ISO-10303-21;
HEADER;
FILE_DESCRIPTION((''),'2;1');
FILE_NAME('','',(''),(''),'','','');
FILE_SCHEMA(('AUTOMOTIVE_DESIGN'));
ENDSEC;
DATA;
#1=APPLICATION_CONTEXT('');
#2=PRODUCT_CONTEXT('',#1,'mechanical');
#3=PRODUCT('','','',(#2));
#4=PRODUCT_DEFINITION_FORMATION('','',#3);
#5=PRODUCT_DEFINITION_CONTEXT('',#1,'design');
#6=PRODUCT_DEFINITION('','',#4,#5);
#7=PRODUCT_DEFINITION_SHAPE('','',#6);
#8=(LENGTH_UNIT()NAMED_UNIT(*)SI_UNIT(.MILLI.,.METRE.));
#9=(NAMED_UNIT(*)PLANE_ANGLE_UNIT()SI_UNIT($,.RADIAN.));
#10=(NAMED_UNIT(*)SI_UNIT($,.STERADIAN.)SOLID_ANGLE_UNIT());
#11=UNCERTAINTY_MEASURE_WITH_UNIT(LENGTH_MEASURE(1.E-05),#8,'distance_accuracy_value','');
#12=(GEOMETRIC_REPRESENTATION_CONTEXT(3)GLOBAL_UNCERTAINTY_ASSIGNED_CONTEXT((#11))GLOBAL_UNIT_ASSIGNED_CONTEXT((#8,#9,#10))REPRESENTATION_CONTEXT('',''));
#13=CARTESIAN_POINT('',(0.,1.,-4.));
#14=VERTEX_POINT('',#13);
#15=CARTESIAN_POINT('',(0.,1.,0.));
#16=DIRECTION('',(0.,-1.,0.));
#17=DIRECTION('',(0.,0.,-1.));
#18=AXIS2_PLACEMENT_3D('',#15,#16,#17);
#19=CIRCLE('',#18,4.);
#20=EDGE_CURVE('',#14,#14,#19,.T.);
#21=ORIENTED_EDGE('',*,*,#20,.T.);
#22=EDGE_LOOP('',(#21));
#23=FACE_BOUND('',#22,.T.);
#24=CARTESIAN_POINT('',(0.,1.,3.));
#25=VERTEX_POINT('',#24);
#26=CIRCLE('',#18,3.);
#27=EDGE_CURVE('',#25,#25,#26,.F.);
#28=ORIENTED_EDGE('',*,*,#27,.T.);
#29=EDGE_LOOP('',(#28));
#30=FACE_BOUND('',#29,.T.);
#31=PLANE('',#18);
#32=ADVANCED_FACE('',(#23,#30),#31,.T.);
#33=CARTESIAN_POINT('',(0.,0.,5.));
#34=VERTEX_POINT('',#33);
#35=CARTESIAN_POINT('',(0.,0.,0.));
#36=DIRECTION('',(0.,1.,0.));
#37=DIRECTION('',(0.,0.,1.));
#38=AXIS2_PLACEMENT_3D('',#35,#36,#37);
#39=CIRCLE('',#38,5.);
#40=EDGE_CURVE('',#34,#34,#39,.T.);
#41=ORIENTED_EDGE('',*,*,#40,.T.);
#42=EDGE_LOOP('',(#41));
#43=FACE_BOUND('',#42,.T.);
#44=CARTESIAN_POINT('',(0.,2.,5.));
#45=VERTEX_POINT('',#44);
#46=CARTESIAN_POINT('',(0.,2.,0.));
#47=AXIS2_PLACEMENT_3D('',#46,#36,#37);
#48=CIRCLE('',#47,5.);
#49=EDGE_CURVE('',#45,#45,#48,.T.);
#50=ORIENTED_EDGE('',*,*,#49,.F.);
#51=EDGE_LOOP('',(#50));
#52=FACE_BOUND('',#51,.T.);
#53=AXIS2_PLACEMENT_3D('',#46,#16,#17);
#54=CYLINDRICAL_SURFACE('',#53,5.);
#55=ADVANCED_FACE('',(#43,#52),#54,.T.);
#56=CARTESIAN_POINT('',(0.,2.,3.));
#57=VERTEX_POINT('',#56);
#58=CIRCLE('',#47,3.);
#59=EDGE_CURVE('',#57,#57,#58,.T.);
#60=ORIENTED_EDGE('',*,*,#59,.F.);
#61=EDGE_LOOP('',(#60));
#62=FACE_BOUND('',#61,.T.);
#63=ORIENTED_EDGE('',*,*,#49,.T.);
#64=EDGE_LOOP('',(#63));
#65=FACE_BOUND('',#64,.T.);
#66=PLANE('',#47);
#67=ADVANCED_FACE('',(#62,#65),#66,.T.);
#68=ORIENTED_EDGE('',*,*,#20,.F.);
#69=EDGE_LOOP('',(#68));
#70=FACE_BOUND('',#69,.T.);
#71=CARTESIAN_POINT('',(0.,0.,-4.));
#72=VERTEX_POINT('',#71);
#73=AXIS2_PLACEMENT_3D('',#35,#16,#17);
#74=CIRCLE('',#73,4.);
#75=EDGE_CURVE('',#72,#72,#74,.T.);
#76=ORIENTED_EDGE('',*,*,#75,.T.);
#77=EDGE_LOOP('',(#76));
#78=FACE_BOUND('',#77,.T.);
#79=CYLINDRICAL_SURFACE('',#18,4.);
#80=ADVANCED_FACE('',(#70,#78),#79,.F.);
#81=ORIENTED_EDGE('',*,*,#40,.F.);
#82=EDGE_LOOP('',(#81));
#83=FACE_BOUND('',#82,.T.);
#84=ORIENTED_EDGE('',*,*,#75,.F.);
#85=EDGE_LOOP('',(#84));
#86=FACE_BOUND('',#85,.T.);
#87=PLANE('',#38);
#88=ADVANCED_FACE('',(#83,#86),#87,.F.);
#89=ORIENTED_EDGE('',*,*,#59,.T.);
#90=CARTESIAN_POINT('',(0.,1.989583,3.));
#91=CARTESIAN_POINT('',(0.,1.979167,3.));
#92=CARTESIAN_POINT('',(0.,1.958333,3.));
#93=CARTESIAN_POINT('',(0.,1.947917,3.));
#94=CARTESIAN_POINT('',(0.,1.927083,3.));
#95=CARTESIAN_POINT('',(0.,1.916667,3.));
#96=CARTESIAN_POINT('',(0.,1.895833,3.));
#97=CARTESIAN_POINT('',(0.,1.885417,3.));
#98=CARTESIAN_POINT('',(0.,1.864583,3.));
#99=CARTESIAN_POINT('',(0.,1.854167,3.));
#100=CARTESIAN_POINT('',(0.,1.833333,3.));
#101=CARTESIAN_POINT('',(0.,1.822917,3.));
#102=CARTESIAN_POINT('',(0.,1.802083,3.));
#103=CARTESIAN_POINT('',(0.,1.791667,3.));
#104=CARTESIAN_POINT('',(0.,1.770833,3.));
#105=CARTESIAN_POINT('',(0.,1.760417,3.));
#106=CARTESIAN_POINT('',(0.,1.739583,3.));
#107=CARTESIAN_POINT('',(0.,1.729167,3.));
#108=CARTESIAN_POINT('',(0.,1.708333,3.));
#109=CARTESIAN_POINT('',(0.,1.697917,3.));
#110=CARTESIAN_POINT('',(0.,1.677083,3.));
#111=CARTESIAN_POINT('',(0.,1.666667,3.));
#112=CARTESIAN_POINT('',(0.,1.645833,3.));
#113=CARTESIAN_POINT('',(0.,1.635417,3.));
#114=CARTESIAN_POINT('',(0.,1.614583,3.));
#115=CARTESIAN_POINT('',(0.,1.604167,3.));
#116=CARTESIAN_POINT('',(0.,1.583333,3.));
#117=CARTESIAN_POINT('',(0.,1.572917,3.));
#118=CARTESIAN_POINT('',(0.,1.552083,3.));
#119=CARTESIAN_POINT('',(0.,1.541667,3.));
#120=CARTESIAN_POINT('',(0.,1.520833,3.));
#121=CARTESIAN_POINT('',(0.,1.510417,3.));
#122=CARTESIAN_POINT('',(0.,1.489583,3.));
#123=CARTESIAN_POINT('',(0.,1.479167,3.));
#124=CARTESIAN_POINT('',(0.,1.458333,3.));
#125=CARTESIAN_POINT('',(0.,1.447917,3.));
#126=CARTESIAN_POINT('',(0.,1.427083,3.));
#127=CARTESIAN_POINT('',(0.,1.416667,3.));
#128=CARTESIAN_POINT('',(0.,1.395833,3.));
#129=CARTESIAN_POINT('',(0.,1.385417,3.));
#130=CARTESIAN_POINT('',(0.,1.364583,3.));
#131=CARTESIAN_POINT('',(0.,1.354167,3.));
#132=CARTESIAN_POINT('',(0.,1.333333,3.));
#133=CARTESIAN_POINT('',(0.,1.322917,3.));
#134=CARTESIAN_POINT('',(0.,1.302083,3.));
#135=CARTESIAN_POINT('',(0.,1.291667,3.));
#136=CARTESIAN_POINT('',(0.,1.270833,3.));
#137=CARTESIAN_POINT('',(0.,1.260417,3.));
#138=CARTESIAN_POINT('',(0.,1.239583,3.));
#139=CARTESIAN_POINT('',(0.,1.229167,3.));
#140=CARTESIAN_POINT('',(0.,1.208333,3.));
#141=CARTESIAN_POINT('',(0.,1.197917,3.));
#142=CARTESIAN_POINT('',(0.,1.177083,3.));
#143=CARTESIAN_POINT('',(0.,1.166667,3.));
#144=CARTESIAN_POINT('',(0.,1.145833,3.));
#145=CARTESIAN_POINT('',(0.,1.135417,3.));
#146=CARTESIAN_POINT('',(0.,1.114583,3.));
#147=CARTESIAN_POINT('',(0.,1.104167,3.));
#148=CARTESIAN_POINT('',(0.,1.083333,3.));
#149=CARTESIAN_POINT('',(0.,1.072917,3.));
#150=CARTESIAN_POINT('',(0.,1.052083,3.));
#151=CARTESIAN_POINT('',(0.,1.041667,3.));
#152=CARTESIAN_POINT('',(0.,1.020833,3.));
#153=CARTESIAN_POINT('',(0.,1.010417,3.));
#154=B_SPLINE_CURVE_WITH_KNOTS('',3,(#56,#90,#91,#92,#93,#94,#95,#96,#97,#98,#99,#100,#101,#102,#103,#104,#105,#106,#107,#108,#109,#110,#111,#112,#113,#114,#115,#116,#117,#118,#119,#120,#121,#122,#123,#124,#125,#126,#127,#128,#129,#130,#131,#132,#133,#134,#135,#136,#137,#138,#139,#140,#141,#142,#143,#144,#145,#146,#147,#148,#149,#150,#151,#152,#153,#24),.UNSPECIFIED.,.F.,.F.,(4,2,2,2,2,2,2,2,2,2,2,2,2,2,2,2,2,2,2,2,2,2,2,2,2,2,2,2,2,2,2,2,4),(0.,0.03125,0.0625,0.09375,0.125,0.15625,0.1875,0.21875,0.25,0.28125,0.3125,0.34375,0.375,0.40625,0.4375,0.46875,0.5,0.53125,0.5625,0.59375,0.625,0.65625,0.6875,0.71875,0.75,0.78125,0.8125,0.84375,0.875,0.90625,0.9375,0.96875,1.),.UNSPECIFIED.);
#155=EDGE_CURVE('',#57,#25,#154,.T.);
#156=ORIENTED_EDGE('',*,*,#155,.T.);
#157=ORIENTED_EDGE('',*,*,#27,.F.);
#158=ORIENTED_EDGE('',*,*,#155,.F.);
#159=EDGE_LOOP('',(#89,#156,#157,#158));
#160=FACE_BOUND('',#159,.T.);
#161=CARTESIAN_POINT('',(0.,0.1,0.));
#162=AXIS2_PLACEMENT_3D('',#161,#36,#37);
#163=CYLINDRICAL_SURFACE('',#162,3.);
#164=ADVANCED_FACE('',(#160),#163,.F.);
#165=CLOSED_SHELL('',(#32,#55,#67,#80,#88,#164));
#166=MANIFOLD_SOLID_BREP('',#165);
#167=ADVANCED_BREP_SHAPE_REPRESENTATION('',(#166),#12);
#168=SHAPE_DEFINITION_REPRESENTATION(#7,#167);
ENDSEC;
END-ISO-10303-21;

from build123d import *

# Parameters (mm, degrees)
SKETCH1_R           = 5
SKETCH1_R_2         = 4
BOSS_EXTRUDE1_DEPTH = 2
BOSS_EXTRUDE2_START = -1.9
SKETCH2_R           = 4
SKETCH2_R_2         = 3
BOSS_EXTRUDE2_DEPTH = 1.9
BOSS_EXTRUDE4_START = 0.1
SKETCH3_R           = 4
BOSS_EXTRUDE4_DEPTH = 0.1
SKETCH4_R           = 4
CUT_EXTRUDE1_DEPTH  = 1


with BuildPart() as part:
    # Sketch1 → Boss-Extrude1 (new body)
    with BuildSketch(Plane(origin=(0, 0, 0), x_dir=(1, 0, 0), z_dir=(0, 1, 0))):
        with Locations(Location((0, 0, 0), (0, 0, 270))):
            Circle(SKETCH1_R)
        with Locations(Location((0, 0, 0), (0, 0, 270))):
            Circle(SKETCH1_R_2, mode=Mode.SUBTRACT)
    extrude(amount=BOSS_EXTRUDE1_DEPTH)

    # Sketch2 → Boss-Extrude2 (add)
    with BuildSketch(Plane(origin=(0, 2, 0), x_dir=(1, 0, 0), z_dir=(0, 1, 0)).offset(BOSS_EXTRUDE2_START)):
        with Locations(Location((0, 0, 0), (0, 0, 270))):
            Circle(SKETCH2_R)
        with Locations(Location((0, 0, 0), (0, 0, 270))):
            Circle(SKETCH2_R_2, mode=Mode.SUBTRACT)
    extrude(amount=BOSS_EXTRUDE2_DEPTH)

    # Sketch3 → Boss-Extrude4 (add)
    with BuildSketch(Plane.XZ.offset(-0.1).offset(BOSS_EXTRUDE4_START)):
        Circle(SKETCH3_R)
    extrude(amount=-BOSS_EXTRUDE4_DEPTH)

    # Sketch4 → Cut-Extrude1 (cut)
    with BuildSketch(Plane.XZ):
        with Locations(Location((0, 0, 0), (0, 0, 270))):
            Circle(SKETCH4_R)
    extrude(amount=-CUT_EXTRUDE1_DEPTH, mode=Mode.SUBTRACT)


solid = part.part
